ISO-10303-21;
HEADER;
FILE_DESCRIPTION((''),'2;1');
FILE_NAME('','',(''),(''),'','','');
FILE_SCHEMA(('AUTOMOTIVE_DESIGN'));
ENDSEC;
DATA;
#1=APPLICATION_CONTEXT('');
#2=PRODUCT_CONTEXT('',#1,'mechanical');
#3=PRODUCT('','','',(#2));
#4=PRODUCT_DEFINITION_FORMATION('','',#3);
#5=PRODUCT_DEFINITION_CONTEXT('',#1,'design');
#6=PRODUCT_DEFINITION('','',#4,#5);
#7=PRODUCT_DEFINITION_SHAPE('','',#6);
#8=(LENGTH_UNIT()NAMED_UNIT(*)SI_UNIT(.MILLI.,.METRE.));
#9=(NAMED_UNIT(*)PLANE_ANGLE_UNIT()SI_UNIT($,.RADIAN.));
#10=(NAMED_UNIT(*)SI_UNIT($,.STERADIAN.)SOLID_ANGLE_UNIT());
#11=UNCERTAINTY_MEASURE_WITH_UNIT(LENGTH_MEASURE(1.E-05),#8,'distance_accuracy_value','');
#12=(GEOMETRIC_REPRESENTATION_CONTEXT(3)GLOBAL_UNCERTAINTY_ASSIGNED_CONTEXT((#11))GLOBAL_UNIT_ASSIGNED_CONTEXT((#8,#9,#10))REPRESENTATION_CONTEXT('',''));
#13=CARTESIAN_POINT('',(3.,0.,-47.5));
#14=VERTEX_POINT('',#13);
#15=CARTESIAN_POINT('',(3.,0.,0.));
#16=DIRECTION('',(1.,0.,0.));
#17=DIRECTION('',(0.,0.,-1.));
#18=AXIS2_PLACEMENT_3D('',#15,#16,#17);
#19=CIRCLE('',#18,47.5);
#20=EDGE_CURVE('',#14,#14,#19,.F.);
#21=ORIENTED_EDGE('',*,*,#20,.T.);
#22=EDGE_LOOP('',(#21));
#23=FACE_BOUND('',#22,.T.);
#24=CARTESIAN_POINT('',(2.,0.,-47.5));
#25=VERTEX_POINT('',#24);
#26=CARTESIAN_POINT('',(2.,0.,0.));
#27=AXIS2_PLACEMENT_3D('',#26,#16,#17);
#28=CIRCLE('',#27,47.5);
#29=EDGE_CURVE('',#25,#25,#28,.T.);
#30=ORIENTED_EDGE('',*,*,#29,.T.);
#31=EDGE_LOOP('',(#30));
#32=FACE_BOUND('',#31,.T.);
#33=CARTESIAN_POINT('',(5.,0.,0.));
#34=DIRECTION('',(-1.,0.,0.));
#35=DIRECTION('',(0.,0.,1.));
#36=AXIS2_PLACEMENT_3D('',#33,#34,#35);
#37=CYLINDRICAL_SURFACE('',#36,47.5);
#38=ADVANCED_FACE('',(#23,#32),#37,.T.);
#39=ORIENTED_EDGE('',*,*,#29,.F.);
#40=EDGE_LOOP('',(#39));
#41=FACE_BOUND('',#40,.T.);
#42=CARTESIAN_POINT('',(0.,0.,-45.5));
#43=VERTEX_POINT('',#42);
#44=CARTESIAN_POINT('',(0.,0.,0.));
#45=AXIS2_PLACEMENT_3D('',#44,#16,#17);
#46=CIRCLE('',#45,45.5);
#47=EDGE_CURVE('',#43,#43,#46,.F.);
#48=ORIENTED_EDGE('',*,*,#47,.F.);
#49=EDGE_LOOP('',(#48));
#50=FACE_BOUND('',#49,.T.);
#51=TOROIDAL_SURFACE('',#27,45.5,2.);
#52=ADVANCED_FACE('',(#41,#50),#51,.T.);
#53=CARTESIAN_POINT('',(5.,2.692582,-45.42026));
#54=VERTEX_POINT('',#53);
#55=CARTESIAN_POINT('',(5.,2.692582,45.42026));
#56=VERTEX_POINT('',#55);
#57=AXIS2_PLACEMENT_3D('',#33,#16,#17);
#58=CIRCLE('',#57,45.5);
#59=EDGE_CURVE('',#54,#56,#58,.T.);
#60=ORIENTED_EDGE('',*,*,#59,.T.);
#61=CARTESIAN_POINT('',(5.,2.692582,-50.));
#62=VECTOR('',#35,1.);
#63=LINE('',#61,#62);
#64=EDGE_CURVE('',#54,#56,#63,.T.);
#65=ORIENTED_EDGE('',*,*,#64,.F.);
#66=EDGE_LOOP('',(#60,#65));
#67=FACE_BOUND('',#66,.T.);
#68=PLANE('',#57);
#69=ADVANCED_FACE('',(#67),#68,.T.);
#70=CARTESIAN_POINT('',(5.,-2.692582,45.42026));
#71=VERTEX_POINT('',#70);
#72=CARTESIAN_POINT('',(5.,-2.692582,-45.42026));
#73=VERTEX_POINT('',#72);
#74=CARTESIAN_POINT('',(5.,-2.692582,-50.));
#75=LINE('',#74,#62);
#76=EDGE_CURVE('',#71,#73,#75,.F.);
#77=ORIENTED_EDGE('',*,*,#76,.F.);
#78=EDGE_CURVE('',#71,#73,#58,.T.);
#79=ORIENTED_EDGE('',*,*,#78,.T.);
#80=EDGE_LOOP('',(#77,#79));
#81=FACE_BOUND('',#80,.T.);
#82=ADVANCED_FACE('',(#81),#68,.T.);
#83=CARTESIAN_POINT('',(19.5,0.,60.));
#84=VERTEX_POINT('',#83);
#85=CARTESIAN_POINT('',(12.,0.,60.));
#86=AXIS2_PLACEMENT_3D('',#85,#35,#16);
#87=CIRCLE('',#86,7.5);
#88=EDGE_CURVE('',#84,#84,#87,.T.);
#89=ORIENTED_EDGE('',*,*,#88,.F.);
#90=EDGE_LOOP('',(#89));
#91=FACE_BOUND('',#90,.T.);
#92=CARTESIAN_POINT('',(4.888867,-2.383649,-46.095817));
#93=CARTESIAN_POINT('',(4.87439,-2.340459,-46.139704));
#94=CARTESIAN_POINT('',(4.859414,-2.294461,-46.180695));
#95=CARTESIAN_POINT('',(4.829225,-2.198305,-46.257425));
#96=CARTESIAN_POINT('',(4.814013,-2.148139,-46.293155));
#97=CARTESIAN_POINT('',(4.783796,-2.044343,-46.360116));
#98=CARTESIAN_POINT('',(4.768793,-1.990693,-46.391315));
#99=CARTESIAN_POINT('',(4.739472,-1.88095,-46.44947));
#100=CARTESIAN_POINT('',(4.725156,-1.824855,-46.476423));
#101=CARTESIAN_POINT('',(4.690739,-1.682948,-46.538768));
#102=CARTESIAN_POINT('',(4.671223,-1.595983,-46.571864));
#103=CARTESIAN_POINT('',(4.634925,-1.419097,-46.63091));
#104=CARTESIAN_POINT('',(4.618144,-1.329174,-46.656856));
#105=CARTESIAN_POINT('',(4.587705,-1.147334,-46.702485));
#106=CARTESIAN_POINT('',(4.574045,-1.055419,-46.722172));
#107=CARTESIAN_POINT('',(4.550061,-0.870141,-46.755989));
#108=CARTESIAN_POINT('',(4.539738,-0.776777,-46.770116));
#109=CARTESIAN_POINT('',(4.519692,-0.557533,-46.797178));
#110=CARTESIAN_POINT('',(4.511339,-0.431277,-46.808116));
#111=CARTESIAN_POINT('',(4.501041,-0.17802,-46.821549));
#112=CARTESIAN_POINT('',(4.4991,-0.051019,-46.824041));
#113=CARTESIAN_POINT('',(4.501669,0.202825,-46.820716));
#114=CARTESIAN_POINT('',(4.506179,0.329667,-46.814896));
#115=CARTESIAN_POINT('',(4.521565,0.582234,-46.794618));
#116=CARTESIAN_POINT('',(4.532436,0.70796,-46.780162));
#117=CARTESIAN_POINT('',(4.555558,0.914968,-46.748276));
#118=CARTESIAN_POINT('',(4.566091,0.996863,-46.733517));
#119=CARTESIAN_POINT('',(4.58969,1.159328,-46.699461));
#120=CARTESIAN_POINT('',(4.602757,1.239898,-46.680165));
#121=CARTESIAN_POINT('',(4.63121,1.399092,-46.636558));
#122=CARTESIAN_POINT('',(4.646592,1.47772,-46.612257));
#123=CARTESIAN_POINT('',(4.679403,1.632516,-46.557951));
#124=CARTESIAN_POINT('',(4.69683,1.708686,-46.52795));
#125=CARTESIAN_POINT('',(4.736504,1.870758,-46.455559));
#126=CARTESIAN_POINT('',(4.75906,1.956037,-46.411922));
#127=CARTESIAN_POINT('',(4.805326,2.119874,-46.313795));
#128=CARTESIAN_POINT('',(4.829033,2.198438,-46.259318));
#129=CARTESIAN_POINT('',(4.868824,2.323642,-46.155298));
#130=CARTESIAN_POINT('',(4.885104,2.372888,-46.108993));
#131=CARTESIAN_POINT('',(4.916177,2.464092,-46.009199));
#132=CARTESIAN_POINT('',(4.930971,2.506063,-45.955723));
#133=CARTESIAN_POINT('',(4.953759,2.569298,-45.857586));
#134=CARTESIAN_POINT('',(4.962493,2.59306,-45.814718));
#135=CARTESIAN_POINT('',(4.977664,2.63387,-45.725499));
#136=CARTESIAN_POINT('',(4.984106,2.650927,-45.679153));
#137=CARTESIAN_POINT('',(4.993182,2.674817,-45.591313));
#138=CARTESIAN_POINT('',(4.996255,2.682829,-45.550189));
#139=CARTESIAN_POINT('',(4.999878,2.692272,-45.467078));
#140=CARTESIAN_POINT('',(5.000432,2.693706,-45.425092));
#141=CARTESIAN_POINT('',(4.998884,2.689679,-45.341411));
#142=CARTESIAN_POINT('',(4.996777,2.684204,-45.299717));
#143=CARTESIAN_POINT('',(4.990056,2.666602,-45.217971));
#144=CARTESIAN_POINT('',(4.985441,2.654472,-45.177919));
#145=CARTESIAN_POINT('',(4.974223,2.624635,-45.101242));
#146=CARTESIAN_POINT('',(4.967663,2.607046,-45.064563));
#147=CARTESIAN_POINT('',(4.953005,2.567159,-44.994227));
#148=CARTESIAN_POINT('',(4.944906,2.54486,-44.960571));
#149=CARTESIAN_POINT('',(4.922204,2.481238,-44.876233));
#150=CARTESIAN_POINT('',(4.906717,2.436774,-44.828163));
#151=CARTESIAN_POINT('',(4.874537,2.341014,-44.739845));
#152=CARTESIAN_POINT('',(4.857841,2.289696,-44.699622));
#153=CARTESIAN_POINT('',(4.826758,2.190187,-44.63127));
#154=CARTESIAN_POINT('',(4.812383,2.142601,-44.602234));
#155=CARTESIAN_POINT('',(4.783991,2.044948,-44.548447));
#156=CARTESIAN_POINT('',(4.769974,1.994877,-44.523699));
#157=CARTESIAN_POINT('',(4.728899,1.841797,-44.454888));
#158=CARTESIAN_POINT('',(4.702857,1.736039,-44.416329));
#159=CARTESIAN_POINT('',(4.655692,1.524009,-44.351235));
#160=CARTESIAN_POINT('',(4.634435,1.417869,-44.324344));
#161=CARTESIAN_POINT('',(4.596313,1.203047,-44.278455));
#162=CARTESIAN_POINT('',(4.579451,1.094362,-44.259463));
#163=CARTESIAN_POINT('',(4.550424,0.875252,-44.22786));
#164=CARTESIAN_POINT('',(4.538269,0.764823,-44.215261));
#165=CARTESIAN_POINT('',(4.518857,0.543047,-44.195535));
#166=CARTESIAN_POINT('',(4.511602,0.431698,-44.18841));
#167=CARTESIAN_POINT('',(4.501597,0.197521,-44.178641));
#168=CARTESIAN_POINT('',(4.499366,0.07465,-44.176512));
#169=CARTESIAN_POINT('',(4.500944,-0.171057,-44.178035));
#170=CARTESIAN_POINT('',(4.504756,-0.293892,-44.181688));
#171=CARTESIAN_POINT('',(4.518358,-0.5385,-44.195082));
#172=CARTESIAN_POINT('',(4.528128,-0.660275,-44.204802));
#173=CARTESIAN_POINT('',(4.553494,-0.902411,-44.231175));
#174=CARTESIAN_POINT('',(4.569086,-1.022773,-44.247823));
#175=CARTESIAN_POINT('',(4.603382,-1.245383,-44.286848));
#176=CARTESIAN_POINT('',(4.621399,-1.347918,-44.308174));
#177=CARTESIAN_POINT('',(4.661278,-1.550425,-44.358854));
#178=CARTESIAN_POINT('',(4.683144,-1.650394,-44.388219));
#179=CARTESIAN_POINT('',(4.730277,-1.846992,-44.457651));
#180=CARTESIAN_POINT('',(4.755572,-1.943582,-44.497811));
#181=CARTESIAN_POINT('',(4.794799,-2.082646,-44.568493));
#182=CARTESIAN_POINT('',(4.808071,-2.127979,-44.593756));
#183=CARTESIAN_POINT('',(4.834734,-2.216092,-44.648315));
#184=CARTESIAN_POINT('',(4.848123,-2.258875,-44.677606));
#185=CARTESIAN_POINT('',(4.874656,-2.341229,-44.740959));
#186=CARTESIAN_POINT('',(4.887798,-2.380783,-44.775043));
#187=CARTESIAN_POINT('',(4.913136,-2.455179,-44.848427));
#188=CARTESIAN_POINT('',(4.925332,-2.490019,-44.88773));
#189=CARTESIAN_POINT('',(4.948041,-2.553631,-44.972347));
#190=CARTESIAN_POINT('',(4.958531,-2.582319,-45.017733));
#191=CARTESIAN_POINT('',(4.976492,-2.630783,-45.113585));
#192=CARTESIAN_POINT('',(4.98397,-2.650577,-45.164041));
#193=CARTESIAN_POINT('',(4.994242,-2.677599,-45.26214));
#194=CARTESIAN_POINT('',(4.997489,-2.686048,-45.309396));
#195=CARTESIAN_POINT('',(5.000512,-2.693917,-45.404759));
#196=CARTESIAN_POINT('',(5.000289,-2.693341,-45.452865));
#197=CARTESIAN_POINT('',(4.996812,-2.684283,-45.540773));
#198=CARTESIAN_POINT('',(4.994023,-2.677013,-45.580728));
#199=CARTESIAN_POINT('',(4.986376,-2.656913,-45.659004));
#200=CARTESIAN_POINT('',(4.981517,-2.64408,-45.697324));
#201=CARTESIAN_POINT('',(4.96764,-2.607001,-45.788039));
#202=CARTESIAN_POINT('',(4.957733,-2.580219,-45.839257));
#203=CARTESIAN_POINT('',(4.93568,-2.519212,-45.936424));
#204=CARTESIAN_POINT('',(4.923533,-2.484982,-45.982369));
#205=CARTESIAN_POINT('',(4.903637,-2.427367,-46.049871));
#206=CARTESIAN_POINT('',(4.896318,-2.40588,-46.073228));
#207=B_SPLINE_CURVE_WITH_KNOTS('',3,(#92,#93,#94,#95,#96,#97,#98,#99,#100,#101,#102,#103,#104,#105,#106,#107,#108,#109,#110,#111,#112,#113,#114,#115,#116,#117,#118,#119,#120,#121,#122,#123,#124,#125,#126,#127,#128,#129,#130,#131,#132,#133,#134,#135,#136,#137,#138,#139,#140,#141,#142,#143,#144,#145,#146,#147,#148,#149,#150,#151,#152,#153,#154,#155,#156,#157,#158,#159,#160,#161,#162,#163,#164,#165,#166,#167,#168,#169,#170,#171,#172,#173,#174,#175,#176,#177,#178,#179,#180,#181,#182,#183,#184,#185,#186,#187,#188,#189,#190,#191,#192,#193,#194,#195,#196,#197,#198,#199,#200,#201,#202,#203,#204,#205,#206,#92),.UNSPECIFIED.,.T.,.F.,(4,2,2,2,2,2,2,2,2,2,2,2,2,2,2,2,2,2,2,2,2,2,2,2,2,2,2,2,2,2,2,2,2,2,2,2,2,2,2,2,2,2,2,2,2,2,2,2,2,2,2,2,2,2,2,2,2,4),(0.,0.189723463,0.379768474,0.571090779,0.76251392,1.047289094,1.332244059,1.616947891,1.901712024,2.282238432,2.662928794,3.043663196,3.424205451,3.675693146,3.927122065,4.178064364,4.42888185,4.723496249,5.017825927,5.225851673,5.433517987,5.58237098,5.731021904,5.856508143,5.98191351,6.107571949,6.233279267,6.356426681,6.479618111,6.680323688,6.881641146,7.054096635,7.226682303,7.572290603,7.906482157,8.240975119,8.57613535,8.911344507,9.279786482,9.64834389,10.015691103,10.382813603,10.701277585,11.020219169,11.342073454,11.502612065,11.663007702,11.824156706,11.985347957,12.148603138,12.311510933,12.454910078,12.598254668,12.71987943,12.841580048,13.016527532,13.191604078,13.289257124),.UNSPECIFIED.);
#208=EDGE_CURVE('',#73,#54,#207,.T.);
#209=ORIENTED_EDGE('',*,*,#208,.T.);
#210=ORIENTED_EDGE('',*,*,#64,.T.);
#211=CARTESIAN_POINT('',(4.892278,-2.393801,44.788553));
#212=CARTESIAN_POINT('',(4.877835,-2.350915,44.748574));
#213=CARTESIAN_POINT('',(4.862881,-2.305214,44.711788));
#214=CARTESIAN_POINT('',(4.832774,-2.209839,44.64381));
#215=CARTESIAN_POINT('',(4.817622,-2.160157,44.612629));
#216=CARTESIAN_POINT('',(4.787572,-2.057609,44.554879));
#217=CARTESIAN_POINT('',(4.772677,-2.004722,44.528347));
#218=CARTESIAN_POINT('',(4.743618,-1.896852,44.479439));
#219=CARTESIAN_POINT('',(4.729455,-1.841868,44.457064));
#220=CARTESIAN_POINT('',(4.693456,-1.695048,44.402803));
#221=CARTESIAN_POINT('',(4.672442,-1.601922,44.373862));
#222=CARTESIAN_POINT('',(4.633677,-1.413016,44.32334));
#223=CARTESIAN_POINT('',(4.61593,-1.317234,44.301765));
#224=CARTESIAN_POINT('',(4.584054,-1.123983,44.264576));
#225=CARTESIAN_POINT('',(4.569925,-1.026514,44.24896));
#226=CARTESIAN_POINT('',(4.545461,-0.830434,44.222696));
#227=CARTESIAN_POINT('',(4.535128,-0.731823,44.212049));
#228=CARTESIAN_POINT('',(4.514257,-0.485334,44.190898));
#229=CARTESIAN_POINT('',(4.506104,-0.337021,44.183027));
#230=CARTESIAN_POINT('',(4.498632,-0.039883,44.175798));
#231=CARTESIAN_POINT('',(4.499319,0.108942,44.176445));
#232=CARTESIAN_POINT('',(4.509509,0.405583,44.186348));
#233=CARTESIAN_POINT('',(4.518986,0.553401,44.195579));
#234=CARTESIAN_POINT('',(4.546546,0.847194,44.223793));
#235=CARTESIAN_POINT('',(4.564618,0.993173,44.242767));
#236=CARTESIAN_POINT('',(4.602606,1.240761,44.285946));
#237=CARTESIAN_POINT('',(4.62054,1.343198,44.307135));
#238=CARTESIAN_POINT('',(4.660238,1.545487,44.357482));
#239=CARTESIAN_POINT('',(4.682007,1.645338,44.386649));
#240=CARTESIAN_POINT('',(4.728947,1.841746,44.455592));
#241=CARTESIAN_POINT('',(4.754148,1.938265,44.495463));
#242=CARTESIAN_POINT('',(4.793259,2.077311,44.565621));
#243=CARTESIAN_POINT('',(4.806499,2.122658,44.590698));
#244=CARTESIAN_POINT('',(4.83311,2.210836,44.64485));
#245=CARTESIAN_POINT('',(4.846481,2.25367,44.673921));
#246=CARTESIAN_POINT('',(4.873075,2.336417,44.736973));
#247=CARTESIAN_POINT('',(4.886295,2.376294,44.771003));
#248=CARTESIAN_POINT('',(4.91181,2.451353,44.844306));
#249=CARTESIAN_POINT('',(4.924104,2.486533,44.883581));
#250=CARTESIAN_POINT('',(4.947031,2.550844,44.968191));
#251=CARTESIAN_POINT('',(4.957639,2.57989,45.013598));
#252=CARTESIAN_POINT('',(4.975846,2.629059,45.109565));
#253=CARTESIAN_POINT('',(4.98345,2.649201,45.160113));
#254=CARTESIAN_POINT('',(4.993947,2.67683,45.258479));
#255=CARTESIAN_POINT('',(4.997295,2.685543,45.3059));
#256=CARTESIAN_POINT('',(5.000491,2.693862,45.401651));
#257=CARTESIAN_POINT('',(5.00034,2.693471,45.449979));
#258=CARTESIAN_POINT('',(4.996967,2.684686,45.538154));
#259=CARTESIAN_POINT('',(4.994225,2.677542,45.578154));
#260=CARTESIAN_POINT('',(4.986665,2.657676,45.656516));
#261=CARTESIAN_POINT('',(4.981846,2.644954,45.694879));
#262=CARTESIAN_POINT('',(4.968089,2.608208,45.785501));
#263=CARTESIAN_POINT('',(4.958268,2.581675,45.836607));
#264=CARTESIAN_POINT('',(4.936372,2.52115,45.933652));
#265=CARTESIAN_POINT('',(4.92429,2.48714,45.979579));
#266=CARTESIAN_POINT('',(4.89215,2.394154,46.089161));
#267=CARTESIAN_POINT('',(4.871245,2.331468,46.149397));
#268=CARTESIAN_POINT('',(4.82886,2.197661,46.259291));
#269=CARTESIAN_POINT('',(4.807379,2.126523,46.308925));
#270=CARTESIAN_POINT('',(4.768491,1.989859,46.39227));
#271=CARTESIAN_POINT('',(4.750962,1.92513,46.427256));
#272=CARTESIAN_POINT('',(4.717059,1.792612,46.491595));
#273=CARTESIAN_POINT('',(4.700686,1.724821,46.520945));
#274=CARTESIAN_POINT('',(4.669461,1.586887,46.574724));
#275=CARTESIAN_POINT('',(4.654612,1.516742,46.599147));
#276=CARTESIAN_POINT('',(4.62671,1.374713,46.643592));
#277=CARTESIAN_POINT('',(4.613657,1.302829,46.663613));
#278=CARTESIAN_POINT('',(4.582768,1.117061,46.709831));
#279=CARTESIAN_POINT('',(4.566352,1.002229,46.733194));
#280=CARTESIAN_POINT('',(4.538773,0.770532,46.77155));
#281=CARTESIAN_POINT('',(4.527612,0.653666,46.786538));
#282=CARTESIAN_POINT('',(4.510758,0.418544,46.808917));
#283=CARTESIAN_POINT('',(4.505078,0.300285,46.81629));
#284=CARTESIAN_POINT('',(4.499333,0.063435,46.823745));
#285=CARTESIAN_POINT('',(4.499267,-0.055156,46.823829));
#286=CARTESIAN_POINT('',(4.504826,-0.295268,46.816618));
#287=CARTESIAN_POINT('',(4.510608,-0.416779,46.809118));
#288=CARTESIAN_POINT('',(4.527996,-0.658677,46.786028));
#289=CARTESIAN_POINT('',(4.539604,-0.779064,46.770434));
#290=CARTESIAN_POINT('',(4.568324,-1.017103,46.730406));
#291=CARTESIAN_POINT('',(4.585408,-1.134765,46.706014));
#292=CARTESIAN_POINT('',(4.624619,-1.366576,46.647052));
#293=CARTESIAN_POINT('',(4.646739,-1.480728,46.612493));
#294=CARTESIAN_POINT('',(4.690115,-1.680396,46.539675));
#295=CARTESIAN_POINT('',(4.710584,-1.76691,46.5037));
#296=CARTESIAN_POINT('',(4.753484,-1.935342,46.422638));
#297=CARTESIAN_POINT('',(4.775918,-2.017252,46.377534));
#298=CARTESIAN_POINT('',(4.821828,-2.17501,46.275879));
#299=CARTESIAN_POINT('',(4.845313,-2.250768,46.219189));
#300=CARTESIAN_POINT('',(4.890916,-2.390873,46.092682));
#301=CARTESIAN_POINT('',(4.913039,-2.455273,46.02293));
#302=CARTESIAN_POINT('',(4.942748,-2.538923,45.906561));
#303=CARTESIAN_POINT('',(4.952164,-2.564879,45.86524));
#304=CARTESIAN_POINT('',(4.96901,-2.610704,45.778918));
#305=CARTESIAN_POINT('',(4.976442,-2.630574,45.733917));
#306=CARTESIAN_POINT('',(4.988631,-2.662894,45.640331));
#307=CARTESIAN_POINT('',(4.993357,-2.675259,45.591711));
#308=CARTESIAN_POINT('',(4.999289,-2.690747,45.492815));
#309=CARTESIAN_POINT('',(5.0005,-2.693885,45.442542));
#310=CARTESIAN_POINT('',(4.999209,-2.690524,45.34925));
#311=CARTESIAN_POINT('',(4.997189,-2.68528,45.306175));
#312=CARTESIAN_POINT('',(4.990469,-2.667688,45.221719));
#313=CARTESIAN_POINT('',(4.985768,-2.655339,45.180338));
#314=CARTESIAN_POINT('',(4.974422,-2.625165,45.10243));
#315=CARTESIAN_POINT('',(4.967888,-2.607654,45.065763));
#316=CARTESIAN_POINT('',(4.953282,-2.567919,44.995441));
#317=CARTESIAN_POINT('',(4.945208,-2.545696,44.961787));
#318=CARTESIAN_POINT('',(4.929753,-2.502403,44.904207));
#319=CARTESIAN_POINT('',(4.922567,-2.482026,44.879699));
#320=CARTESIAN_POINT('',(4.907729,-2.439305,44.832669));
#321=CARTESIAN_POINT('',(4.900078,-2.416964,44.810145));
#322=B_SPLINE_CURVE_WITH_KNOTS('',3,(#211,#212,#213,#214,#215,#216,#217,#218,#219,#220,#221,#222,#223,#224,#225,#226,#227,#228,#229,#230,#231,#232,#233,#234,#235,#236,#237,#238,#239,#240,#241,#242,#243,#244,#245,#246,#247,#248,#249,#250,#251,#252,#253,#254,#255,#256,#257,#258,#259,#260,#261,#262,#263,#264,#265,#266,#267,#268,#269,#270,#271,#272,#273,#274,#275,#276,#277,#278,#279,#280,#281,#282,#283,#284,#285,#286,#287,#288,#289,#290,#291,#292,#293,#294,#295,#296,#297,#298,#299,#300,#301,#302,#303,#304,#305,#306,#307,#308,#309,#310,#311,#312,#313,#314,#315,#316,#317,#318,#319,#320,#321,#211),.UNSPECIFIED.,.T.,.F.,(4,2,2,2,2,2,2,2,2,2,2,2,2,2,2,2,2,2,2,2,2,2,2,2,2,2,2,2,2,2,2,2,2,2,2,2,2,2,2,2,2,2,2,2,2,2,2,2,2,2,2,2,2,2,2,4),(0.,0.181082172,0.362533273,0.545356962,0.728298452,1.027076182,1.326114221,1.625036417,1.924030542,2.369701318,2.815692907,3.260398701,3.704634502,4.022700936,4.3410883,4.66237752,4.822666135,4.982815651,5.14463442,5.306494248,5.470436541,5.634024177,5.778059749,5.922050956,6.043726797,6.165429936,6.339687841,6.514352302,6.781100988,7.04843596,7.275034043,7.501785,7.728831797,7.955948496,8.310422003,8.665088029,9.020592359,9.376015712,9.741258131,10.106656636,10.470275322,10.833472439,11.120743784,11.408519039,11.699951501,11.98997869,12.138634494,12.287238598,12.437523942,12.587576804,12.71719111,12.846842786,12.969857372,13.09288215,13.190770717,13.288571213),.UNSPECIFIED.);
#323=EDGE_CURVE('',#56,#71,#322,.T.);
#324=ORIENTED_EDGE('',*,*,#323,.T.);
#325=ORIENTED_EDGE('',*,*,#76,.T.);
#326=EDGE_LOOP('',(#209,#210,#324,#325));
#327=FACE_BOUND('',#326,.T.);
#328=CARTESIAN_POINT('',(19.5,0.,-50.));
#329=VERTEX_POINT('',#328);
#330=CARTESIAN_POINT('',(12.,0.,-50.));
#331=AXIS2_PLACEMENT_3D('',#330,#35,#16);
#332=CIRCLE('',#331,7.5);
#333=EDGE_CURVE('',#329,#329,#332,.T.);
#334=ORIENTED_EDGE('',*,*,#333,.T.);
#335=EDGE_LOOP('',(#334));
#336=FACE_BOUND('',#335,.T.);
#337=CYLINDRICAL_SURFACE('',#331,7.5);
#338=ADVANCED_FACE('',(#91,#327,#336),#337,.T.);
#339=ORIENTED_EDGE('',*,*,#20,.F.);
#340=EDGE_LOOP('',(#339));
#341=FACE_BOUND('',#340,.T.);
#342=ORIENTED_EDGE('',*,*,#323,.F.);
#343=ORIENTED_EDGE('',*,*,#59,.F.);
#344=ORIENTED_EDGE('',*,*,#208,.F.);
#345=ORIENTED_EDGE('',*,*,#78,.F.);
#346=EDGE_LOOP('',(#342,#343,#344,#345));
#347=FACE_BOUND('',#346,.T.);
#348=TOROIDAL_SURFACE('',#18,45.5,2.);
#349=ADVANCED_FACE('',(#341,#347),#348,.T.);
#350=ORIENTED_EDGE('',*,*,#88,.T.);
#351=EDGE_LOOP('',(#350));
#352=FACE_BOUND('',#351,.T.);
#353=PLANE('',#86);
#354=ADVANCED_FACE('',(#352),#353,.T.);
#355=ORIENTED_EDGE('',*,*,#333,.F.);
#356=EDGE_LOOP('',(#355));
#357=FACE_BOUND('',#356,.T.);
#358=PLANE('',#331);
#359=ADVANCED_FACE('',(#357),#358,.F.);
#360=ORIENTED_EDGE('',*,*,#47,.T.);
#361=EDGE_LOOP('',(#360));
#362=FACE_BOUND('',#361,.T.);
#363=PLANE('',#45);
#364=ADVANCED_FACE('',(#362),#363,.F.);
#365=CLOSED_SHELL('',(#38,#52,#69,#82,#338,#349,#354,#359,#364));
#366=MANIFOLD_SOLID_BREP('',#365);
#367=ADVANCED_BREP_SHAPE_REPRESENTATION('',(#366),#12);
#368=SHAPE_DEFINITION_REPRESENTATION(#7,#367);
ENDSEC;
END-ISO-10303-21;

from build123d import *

# Parameters (mm, degrees)
SKETCH1_R                = 47.5
BOSS_EXTRUDE1_DEPTH      = 5
FILLET1_R                = 2
BOSS_EXTRUDE2_DEPTH      = 60
BOSS_EXTRUDE2_DEPTH_BACK = 50
SKETCH2_R                = 7.5


with BuildPart() as part:
    # Sketch1 → Boss-Extrude1 (new body)
    with BuildSketch(Plane(origin=(0, 0, 0), x_dir=(0, 0, -1), z_dir=(1, 0, 0))):
        Circle(SKETCH1_R)
    extrude(amount=BOSS_EXTRUDE1_DEPTH)

    # Fillet1
    fillet1_edges = [part.edges().sort_by_distance(p)[0] for p in [
        (0, 0, 47.5),
        (5, 0, 47.5),
    ]]
    fillet(fillet1_edges, radius=FILLET1_R)

    # Sketch2 → Boss-Extrude2 (add, two sides: drawn at the far end of the back side and taken through both)
    with BuildSketch(Plane.XY.offset(-BOSS_EXTRUDE2_DEPTH_BACK)):
        with Locations((12, 0)):
            Circle(SKETCH2_R)
    extrude(amount=BOSS_EXTRUDE2_DEPTH + BOSS_EXTRUDE2_DEPTH_BACK)


solid = part.part
